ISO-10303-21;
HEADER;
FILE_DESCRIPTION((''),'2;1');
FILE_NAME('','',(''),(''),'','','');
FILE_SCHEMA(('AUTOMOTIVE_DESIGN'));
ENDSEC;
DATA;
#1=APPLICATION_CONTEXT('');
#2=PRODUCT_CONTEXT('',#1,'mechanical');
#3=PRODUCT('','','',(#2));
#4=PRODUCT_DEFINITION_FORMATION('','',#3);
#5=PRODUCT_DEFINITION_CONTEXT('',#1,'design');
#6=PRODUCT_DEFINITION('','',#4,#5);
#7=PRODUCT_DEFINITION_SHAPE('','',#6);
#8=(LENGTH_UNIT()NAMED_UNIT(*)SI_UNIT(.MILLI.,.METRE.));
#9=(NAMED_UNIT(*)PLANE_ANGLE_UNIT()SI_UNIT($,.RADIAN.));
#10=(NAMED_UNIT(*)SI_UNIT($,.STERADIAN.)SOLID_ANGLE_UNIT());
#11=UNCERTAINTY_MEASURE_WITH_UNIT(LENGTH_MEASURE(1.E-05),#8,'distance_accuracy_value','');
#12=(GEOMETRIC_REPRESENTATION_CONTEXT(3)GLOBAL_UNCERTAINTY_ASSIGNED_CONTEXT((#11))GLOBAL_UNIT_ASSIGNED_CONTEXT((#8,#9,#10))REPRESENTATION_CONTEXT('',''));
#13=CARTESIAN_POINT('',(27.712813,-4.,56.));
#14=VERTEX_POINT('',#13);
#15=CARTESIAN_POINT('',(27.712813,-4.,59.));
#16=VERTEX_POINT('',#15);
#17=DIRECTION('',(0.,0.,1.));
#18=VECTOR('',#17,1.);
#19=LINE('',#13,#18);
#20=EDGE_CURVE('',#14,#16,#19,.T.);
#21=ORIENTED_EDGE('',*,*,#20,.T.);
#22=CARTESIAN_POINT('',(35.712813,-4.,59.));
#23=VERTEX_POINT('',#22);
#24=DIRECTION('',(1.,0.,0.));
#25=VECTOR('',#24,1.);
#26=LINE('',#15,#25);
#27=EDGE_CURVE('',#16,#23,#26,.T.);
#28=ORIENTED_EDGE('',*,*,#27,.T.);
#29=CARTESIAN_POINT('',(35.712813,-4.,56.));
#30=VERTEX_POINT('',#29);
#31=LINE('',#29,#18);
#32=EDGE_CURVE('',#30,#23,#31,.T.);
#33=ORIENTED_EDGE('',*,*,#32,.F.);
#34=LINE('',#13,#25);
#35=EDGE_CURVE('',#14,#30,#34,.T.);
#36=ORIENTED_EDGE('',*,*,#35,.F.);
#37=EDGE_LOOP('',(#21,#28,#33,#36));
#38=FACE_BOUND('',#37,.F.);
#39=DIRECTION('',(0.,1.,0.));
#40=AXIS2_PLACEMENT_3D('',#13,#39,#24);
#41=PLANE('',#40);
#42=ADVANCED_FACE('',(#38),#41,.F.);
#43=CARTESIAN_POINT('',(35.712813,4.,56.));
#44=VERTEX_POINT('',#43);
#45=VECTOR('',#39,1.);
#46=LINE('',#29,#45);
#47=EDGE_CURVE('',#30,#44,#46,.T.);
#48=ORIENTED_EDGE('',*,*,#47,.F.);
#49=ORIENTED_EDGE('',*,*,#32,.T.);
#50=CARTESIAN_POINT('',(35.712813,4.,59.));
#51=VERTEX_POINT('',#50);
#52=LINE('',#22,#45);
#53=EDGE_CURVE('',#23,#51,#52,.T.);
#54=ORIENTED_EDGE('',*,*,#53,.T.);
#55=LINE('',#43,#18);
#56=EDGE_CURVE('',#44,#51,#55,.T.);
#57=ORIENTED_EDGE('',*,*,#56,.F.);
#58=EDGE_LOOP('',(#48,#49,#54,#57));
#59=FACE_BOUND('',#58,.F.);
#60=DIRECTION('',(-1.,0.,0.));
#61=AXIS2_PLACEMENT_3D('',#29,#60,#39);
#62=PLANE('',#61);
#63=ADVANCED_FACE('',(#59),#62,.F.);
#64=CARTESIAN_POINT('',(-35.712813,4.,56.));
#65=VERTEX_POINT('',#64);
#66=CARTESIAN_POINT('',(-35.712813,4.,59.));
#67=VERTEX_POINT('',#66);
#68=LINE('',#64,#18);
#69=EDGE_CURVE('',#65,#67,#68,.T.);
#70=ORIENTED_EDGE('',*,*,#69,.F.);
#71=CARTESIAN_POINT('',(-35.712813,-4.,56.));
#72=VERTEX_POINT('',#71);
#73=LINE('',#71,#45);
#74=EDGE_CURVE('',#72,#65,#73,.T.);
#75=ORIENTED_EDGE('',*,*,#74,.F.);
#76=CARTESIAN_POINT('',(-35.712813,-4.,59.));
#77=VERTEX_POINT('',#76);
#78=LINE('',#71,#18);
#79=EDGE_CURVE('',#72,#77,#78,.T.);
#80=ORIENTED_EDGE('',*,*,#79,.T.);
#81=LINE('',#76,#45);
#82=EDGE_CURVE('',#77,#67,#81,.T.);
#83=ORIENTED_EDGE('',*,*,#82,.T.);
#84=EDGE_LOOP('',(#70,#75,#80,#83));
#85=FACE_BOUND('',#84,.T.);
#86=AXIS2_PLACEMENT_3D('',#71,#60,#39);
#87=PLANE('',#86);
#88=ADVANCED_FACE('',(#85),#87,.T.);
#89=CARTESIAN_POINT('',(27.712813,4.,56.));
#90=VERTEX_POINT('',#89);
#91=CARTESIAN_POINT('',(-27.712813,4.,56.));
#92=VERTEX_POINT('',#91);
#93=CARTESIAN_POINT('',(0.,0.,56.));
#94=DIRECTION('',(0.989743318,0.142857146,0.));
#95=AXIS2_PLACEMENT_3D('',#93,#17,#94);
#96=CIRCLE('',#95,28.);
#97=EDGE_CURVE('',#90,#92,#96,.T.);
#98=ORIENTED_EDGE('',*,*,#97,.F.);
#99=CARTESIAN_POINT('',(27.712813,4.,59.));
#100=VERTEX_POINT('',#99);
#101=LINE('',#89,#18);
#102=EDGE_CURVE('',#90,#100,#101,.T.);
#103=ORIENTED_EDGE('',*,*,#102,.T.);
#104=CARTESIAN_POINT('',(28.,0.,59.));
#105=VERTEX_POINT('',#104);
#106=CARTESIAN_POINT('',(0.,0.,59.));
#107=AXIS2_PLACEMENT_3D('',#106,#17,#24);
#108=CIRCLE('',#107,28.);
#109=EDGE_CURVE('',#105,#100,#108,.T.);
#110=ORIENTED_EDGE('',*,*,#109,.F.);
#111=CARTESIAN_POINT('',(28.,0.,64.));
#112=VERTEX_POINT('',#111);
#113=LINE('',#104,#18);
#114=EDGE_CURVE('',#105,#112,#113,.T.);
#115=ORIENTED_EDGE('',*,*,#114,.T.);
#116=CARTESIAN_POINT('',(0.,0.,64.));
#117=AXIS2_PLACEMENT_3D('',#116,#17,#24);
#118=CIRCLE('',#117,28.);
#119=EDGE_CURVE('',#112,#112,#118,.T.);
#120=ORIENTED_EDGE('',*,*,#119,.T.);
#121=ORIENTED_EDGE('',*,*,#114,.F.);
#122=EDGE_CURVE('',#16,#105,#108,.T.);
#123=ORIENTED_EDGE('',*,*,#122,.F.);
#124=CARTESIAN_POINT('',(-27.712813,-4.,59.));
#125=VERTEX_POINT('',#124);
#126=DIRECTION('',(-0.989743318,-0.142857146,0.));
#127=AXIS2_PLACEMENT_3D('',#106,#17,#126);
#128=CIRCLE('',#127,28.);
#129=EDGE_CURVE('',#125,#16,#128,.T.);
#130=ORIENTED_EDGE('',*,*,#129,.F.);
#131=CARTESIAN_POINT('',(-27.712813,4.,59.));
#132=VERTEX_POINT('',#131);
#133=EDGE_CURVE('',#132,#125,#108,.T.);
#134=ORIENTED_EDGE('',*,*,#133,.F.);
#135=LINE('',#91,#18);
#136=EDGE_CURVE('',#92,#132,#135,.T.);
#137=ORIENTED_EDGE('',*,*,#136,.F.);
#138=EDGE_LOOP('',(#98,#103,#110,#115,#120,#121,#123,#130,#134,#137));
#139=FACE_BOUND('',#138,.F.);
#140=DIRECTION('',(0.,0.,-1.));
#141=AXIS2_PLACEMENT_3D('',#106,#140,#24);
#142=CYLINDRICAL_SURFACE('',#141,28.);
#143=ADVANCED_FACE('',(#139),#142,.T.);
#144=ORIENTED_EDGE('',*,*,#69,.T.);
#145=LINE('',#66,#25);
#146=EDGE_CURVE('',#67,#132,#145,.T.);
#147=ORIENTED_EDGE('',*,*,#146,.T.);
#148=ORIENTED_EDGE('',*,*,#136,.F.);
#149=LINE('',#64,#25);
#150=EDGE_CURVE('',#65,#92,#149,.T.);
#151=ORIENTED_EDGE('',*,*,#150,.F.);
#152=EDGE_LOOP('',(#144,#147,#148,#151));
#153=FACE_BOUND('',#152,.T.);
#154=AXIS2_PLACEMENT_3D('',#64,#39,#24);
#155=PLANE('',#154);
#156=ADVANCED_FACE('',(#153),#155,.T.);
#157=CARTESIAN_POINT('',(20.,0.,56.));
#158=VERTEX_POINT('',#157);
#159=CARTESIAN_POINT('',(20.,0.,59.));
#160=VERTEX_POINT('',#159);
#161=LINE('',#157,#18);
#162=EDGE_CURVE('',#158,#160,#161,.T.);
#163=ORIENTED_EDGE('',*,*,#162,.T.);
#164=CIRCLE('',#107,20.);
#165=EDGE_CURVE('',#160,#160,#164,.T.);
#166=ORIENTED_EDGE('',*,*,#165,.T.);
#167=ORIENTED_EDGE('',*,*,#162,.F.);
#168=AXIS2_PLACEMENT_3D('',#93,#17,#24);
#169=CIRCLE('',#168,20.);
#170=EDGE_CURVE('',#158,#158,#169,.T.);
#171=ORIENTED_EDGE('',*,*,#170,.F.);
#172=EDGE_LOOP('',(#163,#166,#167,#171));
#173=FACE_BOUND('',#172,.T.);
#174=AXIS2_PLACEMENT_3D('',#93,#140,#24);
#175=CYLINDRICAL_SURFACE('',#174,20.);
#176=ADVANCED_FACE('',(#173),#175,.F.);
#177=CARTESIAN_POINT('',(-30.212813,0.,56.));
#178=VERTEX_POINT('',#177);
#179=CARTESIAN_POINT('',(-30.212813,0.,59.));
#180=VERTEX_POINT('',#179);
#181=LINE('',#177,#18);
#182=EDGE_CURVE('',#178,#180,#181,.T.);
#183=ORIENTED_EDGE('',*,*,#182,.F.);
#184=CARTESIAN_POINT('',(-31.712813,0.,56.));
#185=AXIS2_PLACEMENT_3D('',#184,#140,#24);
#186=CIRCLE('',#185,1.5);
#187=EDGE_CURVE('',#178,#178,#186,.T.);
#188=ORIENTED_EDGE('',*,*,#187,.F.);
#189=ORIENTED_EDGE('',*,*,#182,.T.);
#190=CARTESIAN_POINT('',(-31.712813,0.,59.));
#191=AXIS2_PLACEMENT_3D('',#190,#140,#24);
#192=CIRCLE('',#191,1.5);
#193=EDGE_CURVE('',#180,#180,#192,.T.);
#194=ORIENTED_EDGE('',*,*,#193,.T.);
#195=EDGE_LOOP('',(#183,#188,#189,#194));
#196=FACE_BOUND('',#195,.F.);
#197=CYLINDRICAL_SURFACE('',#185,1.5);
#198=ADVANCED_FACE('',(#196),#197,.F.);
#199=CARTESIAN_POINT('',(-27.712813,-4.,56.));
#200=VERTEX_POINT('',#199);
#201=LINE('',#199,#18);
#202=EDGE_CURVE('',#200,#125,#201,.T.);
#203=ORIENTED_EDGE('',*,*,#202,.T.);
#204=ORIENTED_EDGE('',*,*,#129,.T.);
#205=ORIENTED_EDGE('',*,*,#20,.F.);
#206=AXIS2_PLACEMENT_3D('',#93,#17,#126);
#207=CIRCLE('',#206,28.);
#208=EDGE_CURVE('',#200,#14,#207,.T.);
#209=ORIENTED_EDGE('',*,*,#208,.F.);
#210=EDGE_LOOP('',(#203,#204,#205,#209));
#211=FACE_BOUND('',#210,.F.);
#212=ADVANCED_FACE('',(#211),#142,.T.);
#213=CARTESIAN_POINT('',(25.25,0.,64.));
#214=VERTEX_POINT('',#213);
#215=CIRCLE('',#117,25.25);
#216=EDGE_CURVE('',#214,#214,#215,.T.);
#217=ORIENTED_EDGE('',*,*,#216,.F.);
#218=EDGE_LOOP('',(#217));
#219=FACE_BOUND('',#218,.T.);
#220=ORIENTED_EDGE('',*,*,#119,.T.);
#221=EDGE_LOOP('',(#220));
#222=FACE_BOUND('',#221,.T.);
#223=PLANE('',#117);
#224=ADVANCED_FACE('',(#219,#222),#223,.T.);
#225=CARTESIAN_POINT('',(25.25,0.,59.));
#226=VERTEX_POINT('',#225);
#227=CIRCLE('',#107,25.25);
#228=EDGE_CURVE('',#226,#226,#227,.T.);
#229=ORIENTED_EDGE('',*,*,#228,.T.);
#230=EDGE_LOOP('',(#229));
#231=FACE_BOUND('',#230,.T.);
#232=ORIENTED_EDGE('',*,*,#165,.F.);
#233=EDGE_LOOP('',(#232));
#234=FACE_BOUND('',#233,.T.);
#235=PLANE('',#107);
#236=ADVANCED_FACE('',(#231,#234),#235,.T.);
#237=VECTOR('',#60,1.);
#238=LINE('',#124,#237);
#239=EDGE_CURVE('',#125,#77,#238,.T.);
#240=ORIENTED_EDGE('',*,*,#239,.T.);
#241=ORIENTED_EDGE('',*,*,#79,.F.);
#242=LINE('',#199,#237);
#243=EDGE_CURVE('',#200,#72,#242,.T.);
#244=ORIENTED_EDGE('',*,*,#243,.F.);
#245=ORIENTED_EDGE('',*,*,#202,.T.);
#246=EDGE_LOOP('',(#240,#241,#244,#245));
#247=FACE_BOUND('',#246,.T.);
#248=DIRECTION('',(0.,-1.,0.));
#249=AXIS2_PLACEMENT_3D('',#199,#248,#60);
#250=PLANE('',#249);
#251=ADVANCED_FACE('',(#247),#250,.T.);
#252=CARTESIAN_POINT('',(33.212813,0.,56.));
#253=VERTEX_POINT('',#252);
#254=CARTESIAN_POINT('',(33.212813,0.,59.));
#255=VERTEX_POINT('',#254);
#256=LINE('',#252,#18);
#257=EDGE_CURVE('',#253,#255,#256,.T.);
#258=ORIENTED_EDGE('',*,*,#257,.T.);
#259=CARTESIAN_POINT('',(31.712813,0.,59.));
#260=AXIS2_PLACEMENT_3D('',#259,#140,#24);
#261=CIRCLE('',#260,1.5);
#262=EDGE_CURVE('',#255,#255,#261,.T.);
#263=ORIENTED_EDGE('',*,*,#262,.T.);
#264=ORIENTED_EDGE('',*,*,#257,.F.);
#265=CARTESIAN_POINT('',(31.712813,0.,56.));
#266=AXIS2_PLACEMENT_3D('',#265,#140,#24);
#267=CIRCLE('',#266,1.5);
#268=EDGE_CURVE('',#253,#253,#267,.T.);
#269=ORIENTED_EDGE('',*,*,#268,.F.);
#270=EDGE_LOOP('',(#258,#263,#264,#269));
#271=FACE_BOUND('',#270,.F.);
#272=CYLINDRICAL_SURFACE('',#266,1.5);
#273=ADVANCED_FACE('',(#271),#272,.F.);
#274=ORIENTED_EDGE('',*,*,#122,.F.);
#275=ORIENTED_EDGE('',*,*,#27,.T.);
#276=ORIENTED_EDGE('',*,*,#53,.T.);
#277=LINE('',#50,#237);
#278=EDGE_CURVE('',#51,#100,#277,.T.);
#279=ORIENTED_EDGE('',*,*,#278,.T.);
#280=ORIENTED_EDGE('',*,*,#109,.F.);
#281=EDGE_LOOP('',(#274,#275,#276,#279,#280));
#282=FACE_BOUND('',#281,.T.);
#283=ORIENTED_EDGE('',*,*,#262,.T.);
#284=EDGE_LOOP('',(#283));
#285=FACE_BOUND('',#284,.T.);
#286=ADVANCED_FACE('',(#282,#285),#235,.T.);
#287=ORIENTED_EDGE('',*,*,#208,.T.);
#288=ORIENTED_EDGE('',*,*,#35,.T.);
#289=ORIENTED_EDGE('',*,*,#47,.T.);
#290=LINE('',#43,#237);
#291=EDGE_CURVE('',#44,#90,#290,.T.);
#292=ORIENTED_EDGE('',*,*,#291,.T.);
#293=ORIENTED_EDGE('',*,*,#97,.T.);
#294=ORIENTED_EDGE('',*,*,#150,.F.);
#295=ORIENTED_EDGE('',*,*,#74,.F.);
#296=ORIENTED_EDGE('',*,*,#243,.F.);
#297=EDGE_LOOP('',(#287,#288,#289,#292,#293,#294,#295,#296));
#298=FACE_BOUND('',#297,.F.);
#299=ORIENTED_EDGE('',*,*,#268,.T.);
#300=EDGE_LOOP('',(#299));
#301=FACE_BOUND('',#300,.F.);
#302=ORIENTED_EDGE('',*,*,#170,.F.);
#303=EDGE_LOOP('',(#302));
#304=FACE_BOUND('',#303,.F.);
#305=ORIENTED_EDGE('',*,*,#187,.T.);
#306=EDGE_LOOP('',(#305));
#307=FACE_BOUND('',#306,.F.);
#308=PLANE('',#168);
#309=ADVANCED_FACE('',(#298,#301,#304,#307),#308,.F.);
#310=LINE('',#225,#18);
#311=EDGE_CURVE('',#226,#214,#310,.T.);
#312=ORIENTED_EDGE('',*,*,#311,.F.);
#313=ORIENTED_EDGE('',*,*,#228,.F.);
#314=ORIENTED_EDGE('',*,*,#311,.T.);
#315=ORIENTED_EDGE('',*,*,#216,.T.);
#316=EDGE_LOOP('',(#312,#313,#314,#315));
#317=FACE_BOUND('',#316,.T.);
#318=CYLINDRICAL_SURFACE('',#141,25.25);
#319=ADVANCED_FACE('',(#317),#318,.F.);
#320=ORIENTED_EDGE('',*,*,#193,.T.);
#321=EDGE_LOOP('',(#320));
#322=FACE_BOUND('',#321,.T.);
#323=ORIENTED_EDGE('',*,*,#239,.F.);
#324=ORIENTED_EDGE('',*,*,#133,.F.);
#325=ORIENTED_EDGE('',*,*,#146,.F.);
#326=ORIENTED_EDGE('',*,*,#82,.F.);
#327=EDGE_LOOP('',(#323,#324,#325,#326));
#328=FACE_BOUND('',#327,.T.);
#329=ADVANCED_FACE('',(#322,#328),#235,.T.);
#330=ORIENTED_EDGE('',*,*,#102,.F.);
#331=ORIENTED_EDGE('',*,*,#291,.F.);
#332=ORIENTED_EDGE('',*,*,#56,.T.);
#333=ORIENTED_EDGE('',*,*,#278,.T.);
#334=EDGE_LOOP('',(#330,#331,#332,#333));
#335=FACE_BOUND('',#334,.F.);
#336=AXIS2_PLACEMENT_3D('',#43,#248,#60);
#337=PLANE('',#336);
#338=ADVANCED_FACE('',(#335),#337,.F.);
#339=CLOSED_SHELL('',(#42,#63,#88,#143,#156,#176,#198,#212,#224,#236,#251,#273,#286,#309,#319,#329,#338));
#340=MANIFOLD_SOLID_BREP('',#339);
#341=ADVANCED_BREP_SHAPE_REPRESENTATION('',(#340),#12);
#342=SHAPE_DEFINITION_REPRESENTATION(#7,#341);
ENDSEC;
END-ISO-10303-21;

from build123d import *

# Parameters (mm, degrees)
SKETCH023_R     = 20
PAD007_DEPTH    = 3
SKETCH251_R     = 28
SKETCH251_R_2   = 25.25
PAD095_DEPTH    = 5
SKETCH256_R     = 1.5
POCKET125_DEPTH = 8.001


with BuildPart() as part:
    # Sketch023 → Pad007 (new body)
    with BuildSketch(Plane.XY):
        with BuildLine():
            Line((27.712813, -4), (35.712813, -4))
            Line((35.712813, -4), (35.712813, 4))
            Line((35.712813, 4), (27.712813, 4))
            ThreePointArc((27.712813, 4), (0, 28), (-27.712813, 4))
            Line((-35.712813, 4), (-27.712813, 4))
            Line((-35.712813, -4), (-35.712813, 4))
            Line((-27.712813, -4), (-35.712813, -4))
            ThreePointArc((-27.712813, -4), (0, -28), (27.712813, -4))
        make_face()
        Circle(SKETCH023_R, mode=Mode.SUBTRACT)
    extrude(amount=PAD007_DEPTH)

    # Sketch251 → Pad095 (join)
    with BuildSketch(Plane.XY.offset(3)):
        Circle(SKETCH251_R)
        Circle(SKETCH251_R_2, mode=Mode.SUBTRACT)
    extrude(amount=PAD095_DEPTH)

    # Sketch256 (on Face4 of Pad095) → Pocket125 (cut, through all)
    with BuildSketch(Plane(origin=(0, 0, 0), x_dir=(1, 0, 0), z_dir=(0, 0, -1))):
        with Locations((31.712813, 0)):
            Circle(SKETCH256_R)
        with Locations((-31.712813, 0)):
            Circle(SKETCH256_R)
    extrude(amount=-POCKET125_DEPTH, mode=Mode.SUBTRACT)


with BuildPart() as part_1:
    # Body007 placement: moved
    add(part.part.moved(Location((0, 0, 56))))


solid = part_1.part
